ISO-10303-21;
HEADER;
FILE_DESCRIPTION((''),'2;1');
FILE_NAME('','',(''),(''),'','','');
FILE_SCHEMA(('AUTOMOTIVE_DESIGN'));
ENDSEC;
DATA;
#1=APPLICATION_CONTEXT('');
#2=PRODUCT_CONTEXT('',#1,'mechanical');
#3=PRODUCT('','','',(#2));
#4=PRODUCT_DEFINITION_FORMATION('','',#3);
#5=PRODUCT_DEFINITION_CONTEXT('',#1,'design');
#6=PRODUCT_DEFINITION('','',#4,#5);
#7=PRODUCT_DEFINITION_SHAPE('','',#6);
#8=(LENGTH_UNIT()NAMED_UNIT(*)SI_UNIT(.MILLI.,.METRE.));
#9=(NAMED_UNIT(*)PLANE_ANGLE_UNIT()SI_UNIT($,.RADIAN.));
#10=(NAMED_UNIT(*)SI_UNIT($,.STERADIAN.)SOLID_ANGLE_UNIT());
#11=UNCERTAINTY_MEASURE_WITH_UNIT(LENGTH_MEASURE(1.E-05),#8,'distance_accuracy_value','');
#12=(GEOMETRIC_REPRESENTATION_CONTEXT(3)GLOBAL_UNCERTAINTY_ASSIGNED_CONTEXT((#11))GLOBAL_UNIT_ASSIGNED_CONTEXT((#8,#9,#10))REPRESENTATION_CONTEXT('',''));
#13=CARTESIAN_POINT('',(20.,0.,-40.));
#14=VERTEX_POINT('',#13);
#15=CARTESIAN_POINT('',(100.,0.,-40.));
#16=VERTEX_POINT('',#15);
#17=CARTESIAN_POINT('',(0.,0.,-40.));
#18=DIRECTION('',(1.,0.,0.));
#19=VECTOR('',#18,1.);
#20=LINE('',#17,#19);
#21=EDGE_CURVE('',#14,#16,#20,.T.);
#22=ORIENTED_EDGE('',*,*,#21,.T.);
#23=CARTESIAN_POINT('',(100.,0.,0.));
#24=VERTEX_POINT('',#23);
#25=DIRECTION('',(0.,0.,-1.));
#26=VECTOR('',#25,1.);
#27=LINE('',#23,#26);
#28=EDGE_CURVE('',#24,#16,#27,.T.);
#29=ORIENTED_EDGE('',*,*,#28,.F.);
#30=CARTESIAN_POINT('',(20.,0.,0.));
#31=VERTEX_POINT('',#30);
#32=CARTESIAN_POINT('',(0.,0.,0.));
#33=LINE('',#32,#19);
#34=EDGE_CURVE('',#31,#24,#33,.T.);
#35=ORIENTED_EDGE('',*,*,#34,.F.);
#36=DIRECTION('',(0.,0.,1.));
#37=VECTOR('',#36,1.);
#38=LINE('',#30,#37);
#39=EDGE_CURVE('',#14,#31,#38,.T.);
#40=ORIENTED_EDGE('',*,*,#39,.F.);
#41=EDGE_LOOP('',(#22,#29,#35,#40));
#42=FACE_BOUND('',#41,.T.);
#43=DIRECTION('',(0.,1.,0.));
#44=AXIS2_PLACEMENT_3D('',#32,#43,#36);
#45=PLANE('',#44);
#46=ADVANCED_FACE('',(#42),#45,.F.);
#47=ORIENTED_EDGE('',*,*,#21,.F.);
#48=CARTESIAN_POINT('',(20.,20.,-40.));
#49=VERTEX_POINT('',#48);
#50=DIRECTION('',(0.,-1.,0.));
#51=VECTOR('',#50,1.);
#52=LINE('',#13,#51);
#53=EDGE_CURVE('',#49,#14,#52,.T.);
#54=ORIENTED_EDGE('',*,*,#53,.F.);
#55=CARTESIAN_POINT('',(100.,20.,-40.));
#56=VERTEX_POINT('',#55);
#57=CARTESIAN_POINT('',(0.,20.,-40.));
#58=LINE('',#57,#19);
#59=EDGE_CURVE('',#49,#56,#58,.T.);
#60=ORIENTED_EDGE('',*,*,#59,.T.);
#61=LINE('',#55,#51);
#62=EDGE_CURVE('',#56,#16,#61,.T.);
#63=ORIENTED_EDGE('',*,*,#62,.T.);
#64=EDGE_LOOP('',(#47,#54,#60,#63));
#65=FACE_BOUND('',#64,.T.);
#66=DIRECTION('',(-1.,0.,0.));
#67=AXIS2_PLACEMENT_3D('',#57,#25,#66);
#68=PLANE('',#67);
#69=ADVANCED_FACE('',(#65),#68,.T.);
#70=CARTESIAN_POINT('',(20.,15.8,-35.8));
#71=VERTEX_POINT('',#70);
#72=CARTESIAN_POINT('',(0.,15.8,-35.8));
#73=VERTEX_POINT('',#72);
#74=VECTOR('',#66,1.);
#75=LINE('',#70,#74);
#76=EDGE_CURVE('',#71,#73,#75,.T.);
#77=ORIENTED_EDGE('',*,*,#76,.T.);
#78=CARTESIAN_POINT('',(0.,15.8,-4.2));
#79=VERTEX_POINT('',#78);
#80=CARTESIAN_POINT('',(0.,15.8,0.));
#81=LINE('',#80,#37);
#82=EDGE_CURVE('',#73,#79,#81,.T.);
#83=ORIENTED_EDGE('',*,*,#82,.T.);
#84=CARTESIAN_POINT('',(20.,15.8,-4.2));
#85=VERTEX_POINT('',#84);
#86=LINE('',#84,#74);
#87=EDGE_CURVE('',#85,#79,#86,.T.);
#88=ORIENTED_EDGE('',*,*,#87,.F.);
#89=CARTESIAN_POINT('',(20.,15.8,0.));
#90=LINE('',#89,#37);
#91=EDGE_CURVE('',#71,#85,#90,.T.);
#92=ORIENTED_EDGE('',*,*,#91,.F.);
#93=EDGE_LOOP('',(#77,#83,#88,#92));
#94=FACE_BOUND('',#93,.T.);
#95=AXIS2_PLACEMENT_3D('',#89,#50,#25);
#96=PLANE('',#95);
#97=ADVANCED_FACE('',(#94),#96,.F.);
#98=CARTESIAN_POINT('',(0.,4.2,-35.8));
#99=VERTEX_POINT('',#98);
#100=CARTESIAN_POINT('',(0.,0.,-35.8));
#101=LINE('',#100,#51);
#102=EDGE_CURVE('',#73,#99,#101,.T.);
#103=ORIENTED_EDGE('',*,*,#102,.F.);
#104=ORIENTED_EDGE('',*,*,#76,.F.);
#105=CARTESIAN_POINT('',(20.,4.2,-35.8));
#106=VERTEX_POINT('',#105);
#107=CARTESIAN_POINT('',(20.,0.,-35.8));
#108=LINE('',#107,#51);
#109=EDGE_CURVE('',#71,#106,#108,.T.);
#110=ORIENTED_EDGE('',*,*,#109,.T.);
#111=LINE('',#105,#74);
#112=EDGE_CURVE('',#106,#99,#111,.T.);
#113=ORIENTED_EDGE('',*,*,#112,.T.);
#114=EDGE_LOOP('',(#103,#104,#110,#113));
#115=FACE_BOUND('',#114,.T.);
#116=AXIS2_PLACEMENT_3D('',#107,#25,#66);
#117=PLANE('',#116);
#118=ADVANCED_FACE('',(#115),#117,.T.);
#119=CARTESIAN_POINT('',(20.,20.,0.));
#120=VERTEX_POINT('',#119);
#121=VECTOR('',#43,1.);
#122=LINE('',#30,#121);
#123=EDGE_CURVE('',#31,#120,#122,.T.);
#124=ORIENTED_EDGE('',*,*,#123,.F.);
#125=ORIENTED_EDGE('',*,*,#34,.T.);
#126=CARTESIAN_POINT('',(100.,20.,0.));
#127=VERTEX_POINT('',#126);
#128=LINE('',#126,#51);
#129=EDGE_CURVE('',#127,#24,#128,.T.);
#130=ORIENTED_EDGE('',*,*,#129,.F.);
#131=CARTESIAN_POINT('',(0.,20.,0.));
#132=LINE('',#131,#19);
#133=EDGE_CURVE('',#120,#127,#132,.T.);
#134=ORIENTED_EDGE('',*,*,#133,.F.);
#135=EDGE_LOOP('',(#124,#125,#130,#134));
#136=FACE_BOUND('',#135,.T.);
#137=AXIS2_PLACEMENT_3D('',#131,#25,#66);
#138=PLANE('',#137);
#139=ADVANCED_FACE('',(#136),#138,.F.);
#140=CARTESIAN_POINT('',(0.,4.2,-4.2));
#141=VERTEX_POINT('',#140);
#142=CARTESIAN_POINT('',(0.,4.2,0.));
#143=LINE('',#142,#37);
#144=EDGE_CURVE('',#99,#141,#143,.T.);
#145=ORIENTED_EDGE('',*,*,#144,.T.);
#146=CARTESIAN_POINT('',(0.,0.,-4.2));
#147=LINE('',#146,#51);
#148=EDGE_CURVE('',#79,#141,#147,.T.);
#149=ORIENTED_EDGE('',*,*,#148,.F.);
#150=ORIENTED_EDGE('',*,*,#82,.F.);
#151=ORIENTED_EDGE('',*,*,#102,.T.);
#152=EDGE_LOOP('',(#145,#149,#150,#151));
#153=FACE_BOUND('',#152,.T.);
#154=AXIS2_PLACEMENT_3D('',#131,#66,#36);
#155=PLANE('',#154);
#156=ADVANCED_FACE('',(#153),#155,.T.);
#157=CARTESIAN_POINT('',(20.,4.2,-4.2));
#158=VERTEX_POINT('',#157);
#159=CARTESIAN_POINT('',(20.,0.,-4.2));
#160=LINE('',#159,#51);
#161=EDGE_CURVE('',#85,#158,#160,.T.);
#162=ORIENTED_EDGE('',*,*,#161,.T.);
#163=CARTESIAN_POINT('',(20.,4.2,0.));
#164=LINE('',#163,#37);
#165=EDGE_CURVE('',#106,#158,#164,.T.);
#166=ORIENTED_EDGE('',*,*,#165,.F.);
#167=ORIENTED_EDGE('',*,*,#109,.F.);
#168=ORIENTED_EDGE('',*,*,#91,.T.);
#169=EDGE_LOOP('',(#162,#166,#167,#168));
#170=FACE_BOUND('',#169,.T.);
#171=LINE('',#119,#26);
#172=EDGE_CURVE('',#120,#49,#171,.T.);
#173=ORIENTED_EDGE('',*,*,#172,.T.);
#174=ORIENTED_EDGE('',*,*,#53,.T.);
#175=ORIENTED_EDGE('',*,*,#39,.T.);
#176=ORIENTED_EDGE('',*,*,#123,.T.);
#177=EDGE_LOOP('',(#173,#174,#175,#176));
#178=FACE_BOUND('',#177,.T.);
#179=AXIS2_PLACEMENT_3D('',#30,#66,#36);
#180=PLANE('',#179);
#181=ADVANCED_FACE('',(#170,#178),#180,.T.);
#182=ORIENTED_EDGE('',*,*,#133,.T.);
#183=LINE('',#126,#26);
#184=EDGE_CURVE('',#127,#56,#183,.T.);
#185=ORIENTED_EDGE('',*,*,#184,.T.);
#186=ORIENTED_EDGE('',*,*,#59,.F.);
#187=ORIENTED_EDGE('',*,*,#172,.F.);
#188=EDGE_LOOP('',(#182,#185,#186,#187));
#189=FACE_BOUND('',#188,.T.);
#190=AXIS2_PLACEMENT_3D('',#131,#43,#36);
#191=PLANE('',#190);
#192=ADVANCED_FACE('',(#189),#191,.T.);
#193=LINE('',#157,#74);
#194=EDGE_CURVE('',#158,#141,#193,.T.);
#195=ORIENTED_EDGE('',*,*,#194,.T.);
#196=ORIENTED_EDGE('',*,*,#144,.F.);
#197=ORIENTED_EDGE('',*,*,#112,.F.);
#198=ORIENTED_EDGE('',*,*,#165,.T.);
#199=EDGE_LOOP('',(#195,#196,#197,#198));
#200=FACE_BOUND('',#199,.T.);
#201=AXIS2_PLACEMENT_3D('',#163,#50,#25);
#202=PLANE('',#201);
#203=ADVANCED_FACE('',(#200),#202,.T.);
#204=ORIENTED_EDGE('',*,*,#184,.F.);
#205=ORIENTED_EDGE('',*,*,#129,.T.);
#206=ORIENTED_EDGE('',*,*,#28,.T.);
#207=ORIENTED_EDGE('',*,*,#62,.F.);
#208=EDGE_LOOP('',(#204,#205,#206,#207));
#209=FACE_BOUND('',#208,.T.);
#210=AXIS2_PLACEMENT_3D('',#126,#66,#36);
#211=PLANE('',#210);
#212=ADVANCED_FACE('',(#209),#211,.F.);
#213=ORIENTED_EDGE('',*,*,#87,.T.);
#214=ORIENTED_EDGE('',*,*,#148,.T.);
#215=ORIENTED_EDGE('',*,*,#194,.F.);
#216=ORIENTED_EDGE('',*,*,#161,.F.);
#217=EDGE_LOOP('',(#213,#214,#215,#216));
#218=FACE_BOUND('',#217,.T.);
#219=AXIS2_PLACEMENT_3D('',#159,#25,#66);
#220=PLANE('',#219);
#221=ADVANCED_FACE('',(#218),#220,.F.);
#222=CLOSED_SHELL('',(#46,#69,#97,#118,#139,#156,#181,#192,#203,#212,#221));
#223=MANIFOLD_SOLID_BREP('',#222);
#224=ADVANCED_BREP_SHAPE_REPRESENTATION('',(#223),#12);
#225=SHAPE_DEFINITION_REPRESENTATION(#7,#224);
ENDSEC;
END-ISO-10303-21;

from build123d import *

# Parameters (mm, degrees)
SKETCH_1_W          = 100
SKETCH_1_H          = 40
EXTRUDE_1_DEPTH     = 20
SKETCH_3_W          = 40
SKETCH_3_H          = 20
SKETCH_3_W_2        = 32
SKETCH_3_H_2        = 12
CUT_EXTRUDE_4_DEPTH = 20
SKETCH_6_W          = 32
SKETCH_6_H          = 12
SKETCH_6_W_2        = 31.6
SKETCH_6_H_2        = 11.6
CUT_EXTRUDE_5_DEPTH = 20


with BuildPart() as part:
    # 草图1 → 凸台-拉伸1 (new body)
    with BuildSketch(Plane(origin=(0, 0, 0), x_dir=(1, 0, 0), z_dir=(0, 1, 0))):
        with Locations((50, 20)):
            Rectangle(SKETCH_1_W, SKETCH_1_H)
    extrude(amount=EXTRUDE_1_DEPTH)

    # 草图3 → 切除-拉伸4 (cut)
    with BuildSketch(Plane.ZY):
        with Locations((-20, 10)):
            Rectangle(SKETCH_3_W, SKETCH_3_H)
        with Locations((-20, 10)):
            Rectangle(SKETCH_3_W_2, SKETCH_3_H_2, mode=Mode.SUBTRACT)
    extrude(amount=-CUT_EXTRUDE_4_DEPTH, mode=Mode.SUBTRACT)

    # 草图6 → 切除-拉伸5 (cut)
    with BuildSketch(Plane.ZY):
        with Locations((-20, 10)):
            Rectangle(SKETCH_6_W, SKETCH_6_H)
        with Locations((-20, 10)):
            Rectangle(SKETCH_6_W_2, SKETCH_6_H_2, mode=Mode.SUBTRACT)
    extrude(amount=-CUT_EXTRUDE_5_DEPTH, mode=Mode.SUBTRACT)


solid = part.part
